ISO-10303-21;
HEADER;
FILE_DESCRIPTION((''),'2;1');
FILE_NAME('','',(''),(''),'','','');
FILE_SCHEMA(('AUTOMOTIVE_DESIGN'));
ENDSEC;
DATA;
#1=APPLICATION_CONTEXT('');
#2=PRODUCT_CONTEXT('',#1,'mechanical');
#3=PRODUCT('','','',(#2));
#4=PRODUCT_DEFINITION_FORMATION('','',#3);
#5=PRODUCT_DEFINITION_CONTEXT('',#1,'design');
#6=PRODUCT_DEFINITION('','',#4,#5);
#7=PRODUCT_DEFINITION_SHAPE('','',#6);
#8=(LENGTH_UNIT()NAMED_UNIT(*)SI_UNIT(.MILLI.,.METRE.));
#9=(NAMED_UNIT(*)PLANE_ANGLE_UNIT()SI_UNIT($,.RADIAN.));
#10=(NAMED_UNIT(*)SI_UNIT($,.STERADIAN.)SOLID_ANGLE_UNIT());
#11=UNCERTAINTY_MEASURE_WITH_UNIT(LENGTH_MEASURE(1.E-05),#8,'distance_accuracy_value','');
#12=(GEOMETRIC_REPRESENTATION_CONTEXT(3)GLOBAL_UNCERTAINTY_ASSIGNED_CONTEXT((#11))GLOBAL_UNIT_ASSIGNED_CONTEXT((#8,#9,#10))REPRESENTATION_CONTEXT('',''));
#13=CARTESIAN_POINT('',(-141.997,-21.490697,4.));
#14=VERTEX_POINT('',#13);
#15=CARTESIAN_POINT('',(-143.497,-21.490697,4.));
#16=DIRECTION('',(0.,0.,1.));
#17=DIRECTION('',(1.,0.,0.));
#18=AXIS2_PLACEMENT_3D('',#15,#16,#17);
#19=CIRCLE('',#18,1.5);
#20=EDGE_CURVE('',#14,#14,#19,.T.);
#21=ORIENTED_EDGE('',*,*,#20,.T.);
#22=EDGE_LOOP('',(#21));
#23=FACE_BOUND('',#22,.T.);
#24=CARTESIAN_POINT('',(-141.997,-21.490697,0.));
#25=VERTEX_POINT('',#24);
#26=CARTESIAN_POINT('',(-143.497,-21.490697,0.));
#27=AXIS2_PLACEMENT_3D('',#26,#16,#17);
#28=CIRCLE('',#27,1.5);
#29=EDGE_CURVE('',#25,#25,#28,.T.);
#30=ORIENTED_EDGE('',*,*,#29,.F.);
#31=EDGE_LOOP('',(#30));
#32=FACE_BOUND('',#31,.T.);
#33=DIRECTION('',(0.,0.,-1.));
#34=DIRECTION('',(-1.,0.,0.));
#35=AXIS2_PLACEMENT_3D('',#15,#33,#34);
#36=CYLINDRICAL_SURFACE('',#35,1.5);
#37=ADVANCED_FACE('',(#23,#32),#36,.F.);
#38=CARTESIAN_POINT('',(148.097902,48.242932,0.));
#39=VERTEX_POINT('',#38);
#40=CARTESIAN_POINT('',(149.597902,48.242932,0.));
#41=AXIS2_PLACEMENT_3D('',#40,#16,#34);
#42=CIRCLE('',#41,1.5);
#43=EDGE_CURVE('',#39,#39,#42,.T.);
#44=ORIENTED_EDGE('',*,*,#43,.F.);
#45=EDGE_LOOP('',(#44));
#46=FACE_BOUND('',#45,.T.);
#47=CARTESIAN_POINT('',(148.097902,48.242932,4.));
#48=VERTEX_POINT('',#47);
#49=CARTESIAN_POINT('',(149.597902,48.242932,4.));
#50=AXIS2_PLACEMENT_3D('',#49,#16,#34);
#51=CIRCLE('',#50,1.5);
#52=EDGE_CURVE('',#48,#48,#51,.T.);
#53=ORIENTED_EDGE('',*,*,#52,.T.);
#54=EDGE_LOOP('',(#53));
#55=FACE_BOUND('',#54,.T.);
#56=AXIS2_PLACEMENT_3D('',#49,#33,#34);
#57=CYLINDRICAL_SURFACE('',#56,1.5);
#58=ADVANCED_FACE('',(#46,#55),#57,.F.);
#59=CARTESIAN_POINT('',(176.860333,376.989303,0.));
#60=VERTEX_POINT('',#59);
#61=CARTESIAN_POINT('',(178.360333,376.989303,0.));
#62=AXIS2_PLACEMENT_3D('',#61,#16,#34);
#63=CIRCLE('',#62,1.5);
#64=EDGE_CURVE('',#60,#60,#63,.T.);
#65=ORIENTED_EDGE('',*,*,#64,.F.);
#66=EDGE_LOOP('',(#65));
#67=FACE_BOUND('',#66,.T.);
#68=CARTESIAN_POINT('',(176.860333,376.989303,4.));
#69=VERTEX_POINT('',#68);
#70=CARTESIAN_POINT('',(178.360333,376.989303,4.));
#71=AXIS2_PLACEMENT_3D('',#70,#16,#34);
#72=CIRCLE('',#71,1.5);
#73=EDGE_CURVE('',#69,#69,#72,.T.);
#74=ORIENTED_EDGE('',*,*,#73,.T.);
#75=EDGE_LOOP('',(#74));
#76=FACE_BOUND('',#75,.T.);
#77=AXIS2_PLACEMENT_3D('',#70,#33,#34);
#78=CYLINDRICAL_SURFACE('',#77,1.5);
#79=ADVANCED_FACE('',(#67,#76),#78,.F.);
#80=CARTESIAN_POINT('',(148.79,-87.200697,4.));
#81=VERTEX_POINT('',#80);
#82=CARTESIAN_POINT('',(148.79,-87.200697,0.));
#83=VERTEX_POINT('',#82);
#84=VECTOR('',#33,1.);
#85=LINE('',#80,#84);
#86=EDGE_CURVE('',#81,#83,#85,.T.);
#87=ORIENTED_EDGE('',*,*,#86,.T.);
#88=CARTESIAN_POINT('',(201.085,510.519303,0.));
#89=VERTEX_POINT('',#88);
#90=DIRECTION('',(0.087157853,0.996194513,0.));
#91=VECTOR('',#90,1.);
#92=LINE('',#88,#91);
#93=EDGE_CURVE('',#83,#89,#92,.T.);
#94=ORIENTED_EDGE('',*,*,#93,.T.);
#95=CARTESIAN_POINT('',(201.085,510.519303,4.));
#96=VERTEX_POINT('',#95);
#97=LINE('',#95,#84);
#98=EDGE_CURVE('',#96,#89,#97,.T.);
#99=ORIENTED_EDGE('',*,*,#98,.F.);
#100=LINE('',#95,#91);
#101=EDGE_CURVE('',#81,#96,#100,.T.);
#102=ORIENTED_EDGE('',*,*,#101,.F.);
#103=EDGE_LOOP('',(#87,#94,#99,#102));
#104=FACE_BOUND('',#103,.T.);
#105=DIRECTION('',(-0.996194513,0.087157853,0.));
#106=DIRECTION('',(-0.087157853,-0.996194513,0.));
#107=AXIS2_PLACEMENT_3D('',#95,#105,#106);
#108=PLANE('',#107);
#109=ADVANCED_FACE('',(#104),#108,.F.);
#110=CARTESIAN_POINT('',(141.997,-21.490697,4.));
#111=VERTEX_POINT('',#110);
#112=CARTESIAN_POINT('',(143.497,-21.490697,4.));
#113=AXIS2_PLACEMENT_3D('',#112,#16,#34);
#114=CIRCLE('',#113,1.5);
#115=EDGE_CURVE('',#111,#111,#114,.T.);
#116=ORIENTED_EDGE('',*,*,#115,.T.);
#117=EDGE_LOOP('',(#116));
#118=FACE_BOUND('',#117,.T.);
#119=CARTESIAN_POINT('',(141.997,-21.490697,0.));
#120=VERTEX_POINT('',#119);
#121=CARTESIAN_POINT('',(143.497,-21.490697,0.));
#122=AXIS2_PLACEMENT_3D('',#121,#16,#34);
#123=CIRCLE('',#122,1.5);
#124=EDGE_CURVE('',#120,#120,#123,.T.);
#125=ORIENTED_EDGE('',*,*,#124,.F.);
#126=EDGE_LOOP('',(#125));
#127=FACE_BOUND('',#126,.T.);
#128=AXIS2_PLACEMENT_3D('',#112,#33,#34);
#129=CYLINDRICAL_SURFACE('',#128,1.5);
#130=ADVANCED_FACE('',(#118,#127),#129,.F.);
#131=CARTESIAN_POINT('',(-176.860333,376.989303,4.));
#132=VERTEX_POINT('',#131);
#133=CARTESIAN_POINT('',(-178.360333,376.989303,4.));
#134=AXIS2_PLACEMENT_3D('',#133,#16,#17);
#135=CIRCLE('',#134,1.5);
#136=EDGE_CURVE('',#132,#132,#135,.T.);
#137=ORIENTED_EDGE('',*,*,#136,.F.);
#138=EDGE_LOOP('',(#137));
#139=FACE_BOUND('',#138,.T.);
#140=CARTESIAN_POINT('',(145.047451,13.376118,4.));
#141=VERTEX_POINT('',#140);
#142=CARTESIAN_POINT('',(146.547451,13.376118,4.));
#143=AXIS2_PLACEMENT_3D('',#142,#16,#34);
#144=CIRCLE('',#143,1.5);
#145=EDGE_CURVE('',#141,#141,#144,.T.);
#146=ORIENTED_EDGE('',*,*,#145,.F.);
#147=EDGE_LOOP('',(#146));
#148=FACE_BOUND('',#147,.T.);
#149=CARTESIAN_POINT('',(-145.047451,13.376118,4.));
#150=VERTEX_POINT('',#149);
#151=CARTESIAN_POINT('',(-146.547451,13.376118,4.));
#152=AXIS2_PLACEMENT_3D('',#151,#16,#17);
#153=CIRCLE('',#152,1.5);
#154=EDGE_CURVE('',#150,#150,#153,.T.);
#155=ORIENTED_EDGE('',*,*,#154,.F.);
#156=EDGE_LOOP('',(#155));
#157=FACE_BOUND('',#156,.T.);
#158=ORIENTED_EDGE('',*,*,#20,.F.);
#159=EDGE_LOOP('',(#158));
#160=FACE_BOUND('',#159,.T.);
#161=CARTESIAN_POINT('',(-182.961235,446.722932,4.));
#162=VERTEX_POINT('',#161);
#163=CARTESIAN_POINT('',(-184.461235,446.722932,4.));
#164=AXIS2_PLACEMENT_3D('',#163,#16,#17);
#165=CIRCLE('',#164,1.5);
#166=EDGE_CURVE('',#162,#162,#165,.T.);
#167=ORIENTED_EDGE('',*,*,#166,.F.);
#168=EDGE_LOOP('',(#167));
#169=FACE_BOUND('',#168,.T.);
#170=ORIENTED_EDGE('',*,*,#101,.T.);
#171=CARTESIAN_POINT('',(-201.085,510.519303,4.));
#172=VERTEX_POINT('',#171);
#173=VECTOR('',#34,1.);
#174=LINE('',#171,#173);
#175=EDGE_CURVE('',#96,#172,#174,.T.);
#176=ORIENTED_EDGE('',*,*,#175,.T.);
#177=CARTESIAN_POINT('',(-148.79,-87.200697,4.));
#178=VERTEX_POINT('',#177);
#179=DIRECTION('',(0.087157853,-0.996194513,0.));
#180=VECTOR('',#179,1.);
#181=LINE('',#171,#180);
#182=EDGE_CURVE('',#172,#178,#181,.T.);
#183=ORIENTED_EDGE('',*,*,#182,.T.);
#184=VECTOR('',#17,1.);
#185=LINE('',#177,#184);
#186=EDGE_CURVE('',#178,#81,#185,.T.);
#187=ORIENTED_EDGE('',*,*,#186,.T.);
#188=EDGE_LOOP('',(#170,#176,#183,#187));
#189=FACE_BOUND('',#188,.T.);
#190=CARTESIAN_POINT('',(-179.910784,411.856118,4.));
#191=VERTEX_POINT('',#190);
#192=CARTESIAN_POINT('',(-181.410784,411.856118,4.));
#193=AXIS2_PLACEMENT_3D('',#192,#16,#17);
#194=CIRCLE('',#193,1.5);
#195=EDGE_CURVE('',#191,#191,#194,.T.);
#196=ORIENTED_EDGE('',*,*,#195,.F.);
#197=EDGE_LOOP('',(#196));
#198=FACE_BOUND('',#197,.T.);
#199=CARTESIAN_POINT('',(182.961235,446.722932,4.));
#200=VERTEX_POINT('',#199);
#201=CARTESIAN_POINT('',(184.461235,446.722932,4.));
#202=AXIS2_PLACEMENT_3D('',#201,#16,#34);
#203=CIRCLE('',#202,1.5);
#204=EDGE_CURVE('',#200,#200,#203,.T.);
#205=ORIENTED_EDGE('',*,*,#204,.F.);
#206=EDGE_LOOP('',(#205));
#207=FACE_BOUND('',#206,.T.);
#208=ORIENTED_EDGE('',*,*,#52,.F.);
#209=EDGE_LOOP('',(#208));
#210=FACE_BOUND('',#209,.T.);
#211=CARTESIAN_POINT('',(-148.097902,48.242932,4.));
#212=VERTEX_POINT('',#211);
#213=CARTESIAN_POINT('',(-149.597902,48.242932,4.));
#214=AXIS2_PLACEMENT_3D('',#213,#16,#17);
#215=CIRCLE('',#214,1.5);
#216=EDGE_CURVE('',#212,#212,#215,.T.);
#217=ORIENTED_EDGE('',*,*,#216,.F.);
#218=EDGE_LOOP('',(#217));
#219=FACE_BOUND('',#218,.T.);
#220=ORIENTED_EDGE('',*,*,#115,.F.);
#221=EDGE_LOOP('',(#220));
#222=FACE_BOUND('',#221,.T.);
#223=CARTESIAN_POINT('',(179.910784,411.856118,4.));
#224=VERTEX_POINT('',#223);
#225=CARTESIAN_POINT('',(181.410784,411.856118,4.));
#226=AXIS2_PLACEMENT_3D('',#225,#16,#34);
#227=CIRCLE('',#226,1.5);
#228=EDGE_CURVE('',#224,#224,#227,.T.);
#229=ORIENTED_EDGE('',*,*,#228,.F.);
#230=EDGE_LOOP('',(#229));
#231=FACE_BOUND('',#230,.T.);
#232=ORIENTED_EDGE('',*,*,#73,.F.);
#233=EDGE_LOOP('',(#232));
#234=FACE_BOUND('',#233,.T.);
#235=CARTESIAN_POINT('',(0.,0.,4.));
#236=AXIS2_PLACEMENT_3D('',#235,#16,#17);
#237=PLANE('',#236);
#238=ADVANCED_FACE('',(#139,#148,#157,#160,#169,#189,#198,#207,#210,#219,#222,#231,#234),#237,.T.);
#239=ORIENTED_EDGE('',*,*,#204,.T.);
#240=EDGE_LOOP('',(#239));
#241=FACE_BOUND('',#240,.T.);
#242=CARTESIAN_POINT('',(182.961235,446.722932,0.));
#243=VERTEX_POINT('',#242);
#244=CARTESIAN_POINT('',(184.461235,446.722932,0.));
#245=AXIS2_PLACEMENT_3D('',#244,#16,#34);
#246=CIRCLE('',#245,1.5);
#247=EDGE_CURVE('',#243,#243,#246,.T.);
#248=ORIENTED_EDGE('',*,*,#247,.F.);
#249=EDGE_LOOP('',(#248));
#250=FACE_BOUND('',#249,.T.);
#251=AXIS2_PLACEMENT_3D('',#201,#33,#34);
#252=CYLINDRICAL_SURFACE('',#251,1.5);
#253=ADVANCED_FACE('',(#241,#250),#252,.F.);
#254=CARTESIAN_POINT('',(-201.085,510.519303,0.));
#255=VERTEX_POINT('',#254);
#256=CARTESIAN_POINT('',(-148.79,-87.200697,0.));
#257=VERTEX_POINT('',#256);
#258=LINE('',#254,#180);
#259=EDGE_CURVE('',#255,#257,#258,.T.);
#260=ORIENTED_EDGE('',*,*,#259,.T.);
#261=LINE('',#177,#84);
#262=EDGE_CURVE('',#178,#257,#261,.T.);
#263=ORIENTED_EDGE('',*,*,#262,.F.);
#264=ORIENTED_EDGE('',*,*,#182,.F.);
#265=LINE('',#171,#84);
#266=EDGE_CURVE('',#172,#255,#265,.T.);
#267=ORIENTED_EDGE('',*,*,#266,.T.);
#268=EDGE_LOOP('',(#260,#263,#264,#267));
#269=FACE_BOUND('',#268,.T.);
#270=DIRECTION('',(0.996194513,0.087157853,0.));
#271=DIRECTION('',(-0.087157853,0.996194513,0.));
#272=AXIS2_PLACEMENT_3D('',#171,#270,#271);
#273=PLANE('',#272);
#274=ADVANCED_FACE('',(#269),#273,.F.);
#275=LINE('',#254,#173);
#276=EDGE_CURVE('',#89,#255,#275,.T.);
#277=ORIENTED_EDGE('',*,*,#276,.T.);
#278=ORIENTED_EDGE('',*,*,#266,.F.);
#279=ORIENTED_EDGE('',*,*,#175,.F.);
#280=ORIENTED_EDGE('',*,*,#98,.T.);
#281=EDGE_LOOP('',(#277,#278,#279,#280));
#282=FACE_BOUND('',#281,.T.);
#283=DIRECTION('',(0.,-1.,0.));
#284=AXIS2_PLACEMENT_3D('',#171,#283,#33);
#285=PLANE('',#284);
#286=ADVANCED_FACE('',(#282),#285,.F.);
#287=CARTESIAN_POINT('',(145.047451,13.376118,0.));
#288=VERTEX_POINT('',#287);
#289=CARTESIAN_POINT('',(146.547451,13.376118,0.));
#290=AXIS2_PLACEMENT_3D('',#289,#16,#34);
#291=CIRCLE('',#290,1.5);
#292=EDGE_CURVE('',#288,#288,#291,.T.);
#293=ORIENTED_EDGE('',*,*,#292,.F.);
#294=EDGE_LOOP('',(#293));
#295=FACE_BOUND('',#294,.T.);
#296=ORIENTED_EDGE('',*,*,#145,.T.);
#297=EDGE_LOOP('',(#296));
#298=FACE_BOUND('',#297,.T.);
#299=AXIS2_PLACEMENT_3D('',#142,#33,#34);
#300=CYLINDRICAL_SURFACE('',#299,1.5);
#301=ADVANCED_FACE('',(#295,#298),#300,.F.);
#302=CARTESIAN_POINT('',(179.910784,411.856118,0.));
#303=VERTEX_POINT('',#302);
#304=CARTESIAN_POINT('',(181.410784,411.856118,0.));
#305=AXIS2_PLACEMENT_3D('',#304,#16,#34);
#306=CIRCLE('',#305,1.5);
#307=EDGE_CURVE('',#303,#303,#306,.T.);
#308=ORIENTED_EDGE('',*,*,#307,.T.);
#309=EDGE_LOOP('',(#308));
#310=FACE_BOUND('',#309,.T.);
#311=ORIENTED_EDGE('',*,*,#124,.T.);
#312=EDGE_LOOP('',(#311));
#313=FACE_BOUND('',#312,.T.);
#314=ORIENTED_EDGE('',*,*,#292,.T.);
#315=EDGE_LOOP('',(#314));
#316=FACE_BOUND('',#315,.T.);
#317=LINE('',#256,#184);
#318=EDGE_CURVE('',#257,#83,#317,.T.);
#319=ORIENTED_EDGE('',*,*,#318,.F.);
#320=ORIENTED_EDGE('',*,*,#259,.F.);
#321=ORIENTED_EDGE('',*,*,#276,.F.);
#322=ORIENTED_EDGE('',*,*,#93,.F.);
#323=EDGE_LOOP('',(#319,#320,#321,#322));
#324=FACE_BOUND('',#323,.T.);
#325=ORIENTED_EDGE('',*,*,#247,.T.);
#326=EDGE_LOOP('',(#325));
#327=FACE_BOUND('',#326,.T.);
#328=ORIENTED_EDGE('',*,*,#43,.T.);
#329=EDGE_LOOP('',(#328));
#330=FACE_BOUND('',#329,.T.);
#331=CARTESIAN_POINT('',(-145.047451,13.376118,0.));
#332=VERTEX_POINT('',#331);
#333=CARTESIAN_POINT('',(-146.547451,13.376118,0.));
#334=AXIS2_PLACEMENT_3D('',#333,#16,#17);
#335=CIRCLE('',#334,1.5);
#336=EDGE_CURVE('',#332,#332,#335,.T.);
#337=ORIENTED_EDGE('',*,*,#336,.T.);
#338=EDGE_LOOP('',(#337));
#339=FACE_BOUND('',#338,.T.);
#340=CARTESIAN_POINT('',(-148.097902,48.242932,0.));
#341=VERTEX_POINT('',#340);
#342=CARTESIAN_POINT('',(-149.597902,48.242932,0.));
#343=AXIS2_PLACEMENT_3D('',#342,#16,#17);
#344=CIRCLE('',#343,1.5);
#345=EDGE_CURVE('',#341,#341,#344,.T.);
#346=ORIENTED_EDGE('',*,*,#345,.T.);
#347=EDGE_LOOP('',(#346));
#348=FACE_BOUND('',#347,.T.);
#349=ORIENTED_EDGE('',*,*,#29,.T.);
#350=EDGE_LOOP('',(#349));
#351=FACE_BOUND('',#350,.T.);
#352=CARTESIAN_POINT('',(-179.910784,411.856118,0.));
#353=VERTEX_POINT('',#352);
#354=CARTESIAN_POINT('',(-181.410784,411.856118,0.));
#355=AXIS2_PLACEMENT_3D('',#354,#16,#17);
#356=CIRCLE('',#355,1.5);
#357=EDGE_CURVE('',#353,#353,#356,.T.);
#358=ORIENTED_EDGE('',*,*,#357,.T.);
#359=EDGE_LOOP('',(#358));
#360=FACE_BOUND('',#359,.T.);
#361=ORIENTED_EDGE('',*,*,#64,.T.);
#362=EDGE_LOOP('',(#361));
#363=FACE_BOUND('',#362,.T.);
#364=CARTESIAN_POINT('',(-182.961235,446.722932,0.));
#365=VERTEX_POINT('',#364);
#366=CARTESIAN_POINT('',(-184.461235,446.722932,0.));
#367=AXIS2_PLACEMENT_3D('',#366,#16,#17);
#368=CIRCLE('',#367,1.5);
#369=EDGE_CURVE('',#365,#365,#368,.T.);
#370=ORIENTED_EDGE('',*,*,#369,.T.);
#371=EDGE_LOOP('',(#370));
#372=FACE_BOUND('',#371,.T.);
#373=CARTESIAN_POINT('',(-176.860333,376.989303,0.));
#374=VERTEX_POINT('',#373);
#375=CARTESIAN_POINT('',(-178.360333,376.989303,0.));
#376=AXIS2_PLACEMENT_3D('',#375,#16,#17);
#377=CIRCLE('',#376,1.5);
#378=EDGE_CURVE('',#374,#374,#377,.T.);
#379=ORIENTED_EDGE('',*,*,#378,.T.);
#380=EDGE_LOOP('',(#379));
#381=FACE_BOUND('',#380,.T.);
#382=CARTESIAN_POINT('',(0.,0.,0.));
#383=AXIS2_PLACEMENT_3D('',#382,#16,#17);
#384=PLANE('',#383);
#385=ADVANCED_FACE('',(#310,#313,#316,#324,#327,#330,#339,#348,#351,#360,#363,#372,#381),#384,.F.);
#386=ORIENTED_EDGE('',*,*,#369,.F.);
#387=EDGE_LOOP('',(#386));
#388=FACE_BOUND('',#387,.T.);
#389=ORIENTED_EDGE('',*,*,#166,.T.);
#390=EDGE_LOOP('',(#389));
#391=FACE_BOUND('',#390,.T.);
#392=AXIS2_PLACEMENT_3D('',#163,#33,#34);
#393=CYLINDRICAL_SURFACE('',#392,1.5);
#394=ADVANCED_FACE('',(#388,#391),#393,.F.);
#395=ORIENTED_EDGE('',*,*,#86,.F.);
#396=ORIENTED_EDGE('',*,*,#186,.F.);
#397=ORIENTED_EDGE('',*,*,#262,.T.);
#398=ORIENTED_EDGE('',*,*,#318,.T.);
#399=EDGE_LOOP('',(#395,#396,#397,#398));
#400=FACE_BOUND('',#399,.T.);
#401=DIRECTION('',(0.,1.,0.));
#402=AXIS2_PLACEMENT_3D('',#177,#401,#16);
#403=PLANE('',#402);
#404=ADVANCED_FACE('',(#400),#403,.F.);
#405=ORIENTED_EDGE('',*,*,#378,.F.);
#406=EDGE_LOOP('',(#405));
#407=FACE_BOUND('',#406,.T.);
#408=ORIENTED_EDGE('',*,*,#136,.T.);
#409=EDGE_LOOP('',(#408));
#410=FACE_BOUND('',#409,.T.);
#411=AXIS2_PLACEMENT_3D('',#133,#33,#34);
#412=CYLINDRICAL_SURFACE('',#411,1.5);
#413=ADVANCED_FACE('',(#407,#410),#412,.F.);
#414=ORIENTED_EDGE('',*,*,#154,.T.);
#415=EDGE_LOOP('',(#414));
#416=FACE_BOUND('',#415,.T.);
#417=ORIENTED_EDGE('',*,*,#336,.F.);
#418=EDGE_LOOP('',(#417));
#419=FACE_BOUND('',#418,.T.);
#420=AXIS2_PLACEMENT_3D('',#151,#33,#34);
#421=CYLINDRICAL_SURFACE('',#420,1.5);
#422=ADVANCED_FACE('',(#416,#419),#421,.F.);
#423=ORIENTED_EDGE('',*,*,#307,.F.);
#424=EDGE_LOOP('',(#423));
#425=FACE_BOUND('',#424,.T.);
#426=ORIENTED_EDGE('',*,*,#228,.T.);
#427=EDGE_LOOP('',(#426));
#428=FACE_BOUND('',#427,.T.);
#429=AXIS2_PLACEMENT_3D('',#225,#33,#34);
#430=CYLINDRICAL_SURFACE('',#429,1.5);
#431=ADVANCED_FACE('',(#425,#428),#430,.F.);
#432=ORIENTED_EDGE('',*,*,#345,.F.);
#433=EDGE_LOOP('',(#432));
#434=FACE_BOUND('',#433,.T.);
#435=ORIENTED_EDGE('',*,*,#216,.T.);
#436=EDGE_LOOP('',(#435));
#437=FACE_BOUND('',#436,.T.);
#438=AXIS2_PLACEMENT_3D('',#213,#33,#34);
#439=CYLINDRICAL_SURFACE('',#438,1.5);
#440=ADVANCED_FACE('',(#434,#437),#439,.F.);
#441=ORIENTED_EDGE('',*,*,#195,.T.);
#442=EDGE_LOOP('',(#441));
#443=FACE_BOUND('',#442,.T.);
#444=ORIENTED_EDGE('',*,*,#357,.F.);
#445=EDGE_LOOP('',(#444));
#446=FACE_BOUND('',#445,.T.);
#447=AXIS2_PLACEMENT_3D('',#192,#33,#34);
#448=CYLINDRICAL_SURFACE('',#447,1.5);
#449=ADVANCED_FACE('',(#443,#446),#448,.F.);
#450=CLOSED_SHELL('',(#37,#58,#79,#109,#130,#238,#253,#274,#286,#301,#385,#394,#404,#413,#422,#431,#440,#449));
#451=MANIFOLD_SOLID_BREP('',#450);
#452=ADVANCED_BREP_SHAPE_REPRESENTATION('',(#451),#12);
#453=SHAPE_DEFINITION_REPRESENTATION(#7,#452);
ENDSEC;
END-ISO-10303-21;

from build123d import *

# Parameters (mm, degrees)
SKETCH2_R           = 1.5
BOSS_EXTRUDE1_DEPTH = 4


with BuildPart() as part:
    # Sketch2 → Boss-Extrude1 (new body)
    with BuildSketch(Plane.XY):
        Polygon((-201.085, 510.519303279), (-148.79, -87.200696721), (148.79, -87.200696721), (201.085, 510.519303279), align=None)
        with Locations((-143.497000101, -21.490696721)):
            Circle(SKETCH2_R, mode=Mode.SUBTRACT)
        with Locations((-146.547451097, 13.376117712)):
            Circle(SKETCH2_R, mode=Mode.SUBTRACT)
        with Locations((-149.597902093, 48.242932145)):
            Circle(SKETCH2_R, mode=Mode.SUBTRACT)
        with Locations((-178.360333434, 376.989303279)):
            Circle(SKETCH2_R, mode=Mode.SUBTRACT)
        with Locations((-181.410784431, 411.856117712)):
            Circle(SKETCH2_R, mode=Mode.SUBTRACT)
        with Locations((-184.461235427, 446.722932145)):
            Circle(SKETCH2_R, mode=Mode.SUBTRACT)
        with Locations(Location((143.497000101, -21.490696721, 0), (0, 0, 180))):
            Circle(SKETCH2_R, mode=Mode.SUBTRACT)
        with Locations(Location((146.547451097, 13.376117712, 0), (0, 0, 180))):
            Circle(SKETCH2_R, mode=Mode.SUBTRACT)
        with Locations(Location((149.597902093, 48.242932145, 0), (0, 0, 180))):
            Circle(SKETCH2_R, mode=Mode.SUBTRACT)
        with Locations(Location((178.360333434, 376.989303279, 0), (0, 0, 180))):
            Circle(SKETCH2_R, mode=Mode.SUBTRACT)
        with Locations(Location((181.410784431, 411.856117712, 0), (0, 0, 180))):
            Circle(SKETCH2_R, mode=Mode.SUBTRACT)
        with Locations(Location((184.461235427, 446.722932145, 0), (0, 0, 180))):
            Circle(SKETCH2_R, mode=Mode.SUBTRACT)
    extrude(amount=BOSS_EXTRUDE1_DEPTH)


solid = part.part
